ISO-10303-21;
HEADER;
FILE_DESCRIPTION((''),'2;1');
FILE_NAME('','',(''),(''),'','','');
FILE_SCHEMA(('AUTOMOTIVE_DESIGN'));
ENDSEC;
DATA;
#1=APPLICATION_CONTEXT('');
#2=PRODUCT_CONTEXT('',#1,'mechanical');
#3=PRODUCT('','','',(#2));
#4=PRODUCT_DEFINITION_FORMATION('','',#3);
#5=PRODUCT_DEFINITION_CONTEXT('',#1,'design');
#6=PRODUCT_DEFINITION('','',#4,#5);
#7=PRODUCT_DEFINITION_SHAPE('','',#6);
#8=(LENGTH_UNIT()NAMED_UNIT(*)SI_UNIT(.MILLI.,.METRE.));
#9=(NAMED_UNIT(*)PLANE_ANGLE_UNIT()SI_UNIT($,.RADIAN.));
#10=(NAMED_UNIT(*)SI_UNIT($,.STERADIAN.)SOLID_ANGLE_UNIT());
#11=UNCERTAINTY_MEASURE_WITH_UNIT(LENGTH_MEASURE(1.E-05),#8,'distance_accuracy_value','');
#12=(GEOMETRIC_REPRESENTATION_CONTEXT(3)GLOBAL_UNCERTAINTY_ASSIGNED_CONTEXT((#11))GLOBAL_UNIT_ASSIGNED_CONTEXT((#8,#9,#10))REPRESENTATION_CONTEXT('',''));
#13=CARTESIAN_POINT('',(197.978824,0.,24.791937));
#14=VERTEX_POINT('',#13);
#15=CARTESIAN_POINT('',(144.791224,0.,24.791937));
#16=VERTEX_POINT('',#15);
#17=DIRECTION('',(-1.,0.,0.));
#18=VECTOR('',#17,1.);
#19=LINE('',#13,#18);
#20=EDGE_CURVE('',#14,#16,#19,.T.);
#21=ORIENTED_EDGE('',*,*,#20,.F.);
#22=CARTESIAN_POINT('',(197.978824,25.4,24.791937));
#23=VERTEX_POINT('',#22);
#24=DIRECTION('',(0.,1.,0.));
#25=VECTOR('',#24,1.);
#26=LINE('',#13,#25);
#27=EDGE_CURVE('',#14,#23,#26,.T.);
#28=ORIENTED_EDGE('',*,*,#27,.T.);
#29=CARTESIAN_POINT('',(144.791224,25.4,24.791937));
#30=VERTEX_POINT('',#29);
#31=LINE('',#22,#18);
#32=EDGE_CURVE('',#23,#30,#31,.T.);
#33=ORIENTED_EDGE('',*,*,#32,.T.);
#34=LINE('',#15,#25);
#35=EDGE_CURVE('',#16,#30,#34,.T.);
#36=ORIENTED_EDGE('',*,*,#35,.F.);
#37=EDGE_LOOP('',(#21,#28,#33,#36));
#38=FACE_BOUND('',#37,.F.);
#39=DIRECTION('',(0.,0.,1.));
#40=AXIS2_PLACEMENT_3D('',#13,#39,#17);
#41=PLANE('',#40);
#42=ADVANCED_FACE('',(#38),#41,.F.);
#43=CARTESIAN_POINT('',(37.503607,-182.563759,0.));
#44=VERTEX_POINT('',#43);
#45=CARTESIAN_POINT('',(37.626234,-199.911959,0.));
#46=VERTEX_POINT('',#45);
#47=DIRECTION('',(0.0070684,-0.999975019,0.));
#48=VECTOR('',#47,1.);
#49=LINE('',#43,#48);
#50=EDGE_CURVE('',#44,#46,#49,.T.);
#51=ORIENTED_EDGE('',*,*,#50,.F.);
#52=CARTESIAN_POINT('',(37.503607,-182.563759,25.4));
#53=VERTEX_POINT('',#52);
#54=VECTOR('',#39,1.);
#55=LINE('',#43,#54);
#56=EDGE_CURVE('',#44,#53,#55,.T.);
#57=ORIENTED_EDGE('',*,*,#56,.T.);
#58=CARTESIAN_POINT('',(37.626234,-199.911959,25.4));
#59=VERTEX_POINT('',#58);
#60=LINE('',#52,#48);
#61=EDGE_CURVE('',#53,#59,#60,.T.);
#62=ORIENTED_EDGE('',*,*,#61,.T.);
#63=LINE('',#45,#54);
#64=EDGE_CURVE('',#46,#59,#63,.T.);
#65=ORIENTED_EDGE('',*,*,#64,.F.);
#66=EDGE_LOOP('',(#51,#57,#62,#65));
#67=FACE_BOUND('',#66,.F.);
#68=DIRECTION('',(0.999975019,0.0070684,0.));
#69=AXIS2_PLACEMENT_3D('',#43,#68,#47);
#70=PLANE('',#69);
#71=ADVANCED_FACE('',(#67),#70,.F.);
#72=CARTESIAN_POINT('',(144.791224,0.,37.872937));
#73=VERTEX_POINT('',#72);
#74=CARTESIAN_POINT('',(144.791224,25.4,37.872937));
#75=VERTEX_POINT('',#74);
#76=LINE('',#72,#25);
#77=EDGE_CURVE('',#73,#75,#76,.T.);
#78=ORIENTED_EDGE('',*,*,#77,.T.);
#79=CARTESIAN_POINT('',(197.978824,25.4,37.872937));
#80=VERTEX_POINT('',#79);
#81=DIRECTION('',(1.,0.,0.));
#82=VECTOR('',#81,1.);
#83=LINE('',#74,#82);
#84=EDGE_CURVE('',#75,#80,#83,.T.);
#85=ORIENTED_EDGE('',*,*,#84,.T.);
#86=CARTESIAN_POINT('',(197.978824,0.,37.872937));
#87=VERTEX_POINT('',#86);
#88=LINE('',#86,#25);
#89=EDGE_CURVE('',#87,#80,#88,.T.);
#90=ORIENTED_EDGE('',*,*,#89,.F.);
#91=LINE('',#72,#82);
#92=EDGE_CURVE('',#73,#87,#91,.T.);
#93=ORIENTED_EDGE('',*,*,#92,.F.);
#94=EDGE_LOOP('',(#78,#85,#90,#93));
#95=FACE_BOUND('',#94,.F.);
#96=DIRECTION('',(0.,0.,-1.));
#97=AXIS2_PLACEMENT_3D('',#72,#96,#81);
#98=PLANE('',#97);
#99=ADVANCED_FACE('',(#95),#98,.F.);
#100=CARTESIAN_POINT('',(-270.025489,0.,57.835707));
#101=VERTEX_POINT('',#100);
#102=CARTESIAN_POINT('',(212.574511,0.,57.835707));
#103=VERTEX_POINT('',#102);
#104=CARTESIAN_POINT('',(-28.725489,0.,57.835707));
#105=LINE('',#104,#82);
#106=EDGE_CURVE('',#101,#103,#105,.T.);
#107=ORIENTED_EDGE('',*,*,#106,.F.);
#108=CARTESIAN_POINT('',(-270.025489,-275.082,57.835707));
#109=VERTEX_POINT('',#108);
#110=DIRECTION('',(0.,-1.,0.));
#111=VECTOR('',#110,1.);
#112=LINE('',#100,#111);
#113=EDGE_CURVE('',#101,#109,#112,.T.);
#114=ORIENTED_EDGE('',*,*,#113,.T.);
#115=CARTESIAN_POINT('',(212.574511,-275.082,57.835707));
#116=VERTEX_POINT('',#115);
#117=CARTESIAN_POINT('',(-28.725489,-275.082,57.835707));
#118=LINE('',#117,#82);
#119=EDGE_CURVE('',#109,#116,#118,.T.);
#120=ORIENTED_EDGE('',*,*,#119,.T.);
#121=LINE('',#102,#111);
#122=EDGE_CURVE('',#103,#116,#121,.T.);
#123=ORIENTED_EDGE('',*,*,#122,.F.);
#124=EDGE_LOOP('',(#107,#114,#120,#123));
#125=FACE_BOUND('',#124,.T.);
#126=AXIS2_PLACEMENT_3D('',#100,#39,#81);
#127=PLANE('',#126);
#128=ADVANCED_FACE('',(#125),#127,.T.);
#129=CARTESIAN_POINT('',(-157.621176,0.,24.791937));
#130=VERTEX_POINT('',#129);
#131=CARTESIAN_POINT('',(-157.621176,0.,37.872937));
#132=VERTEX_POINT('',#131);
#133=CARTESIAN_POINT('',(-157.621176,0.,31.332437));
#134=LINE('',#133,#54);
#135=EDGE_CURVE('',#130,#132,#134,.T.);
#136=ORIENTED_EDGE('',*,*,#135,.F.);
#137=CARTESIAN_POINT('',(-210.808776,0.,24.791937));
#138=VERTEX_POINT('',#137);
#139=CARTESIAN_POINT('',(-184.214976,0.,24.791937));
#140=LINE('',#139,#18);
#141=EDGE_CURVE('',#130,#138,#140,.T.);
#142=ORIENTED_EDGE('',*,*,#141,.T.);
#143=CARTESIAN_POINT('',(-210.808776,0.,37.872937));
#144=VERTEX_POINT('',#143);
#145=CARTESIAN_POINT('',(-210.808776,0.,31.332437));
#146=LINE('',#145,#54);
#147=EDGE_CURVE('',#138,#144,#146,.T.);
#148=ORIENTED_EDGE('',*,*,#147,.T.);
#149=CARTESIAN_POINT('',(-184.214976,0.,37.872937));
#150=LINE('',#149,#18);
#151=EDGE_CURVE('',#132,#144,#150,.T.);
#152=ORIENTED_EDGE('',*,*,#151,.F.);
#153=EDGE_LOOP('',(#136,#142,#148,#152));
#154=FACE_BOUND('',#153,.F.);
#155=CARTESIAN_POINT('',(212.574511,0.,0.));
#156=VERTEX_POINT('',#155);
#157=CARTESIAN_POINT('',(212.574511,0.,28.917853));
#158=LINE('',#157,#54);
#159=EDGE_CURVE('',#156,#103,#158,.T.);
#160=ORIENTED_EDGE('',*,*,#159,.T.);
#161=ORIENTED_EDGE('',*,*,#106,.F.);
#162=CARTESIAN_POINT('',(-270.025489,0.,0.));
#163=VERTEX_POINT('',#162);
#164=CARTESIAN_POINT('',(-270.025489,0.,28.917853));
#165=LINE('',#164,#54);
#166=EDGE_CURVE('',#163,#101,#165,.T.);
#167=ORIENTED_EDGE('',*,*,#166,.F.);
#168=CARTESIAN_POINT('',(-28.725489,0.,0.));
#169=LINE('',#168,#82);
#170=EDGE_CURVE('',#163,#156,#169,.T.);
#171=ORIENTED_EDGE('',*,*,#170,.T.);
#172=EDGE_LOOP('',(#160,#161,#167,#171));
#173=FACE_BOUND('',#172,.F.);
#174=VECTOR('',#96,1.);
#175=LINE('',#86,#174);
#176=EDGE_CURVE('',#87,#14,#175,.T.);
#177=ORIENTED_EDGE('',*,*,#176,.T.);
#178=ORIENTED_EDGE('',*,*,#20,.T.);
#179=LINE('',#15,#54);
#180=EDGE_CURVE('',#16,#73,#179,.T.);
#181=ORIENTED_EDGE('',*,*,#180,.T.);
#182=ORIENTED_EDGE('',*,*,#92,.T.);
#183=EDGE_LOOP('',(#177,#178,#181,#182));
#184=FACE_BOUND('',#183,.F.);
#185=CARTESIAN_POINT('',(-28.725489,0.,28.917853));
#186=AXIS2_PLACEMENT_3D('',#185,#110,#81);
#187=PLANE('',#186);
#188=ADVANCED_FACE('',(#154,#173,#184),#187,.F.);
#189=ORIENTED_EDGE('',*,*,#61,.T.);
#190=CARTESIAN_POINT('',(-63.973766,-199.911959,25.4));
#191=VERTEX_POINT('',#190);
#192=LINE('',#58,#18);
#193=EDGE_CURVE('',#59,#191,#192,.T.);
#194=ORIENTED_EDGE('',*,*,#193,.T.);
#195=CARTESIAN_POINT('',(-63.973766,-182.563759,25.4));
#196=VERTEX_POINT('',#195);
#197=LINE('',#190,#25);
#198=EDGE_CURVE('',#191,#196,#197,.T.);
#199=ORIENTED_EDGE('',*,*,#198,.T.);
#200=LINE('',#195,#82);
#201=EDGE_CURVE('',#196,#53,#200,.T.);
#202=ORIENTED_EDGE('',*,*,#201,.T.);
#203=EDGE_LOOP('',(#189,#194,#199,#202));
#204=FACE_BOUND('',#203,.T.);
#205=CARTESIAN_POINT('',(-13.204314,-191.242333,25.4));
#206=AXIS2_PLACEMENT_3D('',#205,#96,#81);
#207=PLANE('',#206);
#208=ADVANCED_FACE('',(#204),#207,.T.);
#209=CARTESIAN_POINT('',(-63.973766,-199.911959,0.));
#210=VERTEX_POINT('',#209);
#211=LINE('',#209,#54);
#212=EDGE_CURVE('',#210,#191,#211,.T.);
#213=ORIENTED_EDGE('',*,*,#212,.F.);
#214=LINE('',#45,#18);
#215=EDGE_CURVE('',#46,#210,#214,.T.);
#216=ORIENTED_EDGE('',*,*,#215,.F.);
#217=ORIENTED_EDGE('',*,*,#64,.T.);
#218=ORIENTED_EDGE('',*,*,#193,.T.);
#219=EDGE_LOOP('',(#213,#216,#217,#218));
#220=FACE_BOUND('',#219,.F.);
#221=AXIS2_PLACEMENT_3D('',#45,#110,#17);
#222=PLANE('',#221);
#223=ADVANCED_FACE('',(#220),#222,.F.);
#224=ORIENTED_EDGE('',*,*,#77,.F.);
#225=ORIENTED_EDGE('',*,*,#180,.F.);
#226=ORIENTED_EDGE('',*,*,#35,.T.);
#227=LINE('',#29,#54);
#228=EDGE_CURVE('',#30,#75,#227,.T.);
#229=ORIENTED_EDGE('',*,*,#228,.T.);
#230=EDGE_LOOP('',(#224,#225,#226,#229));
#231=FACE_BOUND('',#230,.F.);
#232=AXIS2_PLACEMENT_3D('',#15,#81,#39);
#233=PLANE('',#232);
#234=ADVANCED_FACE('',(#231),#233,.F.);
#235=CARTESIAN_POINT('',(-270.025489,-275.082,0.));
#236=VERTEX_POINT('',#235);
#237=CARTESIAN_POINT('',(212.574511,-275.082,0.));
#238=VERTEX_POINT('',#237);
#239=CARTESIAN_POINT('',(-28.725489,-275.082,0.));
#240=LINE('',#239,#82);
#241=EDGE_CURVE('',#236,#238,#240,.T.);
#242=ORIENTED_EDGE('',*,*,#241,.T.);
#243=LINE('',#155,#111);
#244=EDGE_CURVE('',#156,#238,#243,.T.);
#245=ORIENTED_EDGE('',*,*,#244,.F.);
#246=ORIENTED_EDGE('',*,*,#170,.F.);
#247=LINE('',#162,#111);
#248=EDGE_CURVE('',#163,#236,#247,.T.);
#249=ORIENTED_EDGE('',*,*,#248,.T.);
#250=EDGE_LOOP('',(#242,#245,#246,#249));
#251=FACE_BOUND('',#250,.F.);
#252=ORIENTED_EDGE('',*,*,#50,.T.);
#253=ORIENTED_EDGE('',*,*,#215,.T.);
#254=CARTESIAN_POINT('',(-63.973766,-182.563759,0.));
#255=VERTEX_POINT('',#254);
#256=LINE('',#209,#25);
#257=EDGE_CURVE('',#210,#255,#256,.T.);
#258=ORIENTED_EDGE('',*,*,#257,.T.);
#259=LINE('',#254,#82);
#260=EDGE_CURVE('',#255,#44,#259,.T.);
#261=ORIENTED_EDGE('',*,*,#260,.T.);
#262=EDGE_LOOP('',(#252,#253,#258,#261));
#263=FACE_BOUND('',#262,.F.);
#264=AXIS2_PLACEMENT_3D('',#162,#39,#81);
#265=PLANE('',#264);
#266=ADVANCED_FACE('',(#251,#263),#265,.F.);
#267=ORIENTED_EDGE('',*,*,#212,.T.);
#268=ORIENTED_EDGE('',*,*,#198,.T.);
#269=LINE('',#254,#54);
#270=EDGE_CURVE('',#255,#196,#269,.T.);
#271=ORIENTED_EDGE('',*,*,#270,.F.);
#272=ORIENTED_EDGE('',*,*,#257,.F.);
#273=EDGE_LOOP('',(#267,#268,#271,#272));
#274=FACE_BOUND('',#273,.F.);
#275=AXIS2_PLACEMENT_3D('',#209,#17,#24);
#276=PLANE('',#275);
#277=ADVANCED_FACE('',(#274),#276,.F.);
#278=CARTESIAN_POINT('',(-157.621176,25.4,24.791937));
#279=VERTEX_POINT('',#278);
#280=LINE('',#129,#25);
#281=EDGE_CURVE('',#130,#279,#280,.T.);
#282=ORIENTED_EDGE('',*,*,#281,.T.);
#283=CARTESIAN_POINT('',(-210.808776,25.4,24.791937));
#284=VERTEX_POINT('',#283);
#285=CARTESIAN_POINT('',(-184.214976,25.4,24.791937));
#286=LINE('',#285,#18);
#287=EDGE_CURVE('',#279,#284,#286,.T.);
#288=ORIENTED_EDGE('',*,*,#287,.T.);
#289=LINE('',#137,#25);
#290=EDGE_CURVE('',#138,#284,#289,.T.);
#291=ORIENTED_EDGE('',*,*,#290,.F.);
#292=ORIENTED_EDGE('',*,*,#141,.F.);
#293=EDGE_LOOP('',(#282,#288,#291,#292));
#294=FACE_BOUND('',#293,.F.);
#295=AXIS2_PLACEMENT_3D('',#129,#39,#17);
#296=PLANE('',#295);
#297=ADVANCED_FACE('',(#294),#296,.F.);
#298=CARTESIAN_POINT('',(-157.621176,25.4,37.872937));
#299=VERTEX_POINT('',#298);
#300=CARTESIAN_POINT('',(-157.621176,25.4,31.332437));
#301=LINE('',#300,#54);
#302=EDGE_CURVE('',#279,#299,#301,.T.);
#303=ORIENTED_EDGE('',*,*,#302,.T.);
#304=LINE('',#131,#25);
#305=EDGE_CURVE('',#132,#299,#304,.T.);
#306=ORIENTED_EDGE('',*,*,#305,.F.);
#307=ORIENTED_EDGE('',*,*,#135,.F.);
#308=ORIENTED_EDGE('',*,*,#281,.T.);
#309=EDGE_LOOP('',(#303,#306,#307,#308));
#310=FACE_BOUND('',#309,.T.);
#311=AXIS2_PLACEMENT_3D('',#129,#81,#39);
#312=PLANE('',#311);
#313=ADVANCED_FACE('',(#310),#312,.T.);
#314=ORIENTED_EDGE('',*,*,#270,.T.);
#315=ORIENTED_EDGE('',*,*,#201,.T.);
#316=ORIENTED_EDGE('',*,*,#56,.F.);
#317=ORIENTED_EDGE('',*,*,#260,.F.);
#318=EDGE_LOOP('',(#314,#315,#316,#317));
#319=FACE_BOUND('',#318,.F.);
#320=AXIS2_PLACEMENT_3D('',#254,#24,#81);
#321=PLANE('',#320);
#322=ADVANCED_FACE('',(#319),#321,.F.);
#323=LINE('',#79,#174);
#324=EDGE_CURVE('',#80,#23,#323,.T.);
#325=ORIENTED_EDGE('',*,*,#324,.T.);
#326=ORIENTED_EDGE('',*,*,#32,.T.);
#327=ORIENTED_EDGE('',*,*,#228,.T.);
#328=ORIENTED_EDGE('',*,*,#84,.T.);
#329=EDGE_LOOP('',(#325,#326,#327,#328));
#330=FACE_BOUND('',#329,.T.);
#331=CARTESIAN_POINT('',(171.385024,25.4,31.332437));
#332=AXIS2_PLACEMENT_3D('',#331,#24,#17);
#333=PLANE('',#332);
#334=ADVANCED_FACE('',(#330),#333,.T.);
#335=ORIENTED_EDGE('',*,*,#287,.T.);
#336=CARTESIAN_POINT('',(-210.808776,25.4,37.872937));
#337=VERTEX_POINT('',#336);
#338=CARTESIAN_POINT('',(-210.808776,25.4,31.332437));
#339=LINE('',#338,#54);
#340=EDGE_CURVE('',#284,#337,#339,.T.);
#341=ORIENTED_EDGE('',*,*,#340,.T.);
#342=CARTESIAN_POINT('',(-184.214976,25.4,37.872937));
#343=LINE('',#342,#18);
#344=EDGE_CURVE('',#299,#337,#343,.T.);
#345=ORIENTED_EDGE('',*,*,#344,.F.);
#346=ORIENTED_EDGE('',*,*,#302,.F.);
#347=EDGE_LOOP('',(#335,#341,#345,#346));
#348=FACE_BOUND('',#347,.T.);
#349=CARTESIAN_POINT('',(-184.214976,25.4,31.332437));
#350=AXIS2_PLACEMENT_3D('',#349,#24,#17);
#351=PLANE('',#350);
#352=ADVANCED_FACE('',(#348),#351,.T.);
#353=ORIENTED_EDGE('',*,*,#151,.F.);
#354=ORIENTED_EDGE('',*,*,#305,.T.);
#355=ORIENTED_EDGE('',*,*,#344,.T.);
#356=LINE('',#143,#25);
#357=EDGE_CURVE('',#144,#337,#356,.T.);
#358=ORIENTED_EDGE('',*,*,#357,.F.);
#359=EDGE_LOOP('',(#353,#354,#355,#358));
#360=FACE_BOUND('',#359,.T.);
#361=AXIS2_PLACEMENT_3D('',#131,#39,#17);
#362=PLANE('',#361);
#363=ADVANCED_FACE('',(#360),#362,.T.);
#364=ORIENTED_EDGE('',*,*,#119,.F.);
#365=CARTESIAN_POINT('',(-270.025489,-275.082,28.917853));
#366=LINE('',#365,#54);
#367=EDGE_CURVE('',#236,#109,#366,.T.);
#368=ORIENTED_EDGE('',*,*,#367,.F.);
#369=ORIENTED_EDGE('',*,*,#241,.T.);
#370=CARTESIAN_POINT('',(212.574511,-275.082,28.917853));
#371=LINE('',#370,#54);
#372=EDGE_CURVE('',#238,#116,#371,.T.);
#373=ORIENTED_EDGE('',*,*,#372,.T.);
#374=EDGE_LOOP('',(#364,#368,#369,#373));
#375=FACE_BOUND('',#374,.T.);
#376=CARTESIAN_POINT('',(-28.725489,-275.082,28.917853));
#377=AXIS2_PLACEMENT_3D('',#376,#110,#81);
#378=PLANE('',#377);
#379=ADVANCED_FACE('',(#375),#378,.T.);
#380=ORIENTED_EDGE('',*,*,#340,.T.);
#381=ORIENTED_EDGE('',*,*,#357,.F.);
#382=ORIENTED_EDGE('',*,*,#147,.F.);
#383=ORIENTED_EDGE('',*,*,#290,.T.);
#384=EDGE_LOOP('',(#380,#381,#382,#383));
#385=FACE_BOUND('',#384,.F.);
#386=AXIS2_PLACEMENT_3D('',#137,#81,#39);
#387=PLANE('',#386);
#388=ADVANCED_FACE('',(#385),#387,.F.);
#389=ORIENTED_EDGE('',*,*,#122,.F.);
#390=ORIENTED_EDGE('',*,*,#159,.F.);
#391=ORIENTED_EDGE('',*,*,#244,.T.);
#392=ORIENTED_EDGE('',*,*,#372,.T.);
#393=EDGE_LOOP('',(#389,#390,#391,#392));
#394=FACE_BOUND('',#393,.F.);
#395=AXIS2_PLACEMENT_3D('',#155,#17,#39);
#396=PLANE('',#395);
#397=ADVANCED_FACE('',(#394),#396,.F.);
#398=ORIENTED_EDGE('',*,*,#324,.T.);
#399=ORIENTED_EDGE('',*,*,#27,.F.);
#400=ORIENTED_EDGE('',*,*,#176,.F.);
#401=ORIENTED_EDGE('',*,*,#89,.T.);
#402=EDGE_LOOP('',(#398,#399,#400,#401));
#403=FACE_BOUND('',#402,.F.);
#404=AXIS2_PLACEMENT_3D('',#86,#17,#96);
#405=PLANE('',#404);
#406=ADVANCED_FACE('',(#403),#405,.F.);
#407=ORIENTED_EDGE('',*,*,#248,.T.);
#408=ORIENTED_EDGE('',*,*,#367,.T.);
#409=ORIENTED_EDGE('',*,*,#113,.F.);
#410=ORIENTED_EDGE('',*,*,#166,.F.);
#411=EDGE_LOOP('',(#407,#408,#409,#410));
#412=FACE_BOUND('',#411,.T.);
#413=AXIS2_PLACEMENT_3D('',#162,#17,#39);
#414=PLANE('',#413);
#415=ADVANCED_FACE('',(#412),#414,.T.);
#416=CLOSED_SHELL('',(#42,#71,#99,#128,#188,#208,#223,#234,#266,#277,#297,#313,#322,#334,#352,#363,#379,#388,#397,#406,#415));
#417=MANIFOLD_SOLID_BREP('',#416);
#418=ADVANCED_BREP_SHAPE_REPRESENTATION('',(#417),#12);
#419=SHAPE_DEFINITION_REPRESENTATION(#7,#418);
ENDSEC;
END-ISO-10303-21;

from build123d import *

# Parameters (mm, degrees)
F0_W     = 482.6
F0_H     = 57.8357067246
F1_DEPTH = 275.082
F2_W     = 53.1876
F2_H     = 13.081
F3_DEPTH = 25.4
F5_DEPTH = 25.4


with BuildPart() as f1:
    # F0 (on Front) → F1 (new body)
    with BuildSketch(Plane.XZ):
        with Locations((-28.7254893436, 28.9178533623)):
            Rectangle(F0_W, F0_H)
    extrude(amount=F1_DEPTH)

    # F2 (on face) → F3 (join)
    with BuildSketch(Plane(origin=(0, 0, 0), x_dir=(-1, 0, 0), z_dir=(0, 1, 0))):
        Polygon((-144.7912243771, 37.8729373214), (-197.9788243771, 37.8729373214), (-197.9788243771, 24.7919373214), (-176.1856243771, 24.7919373214), (-144.7912243771, 24.7919373214), align=None)
        with Locations((184.2149756229, 31.3324373214)):
            Rectangle(F2_W, F2_H)
    extrude(amount=F3_DEPTH)

    # F4 (on face) → F5 (cut)
    with BuildSketch(Plane(origin=(0, 0, 0), x_dir=(1, 0, 0), z_dir=(0, 0, -1))):
        Polygon((-63.9737658203, 199.9119593865), (-63.9737658203, 182.5637593865), (37.5036071055, 182.5637593865), (37.6262341797, 199.9119593865), align=None)
    extrude(amount=-F5_DEPTH, mode=Mode.SUBTRACT)


solid = f1.part
